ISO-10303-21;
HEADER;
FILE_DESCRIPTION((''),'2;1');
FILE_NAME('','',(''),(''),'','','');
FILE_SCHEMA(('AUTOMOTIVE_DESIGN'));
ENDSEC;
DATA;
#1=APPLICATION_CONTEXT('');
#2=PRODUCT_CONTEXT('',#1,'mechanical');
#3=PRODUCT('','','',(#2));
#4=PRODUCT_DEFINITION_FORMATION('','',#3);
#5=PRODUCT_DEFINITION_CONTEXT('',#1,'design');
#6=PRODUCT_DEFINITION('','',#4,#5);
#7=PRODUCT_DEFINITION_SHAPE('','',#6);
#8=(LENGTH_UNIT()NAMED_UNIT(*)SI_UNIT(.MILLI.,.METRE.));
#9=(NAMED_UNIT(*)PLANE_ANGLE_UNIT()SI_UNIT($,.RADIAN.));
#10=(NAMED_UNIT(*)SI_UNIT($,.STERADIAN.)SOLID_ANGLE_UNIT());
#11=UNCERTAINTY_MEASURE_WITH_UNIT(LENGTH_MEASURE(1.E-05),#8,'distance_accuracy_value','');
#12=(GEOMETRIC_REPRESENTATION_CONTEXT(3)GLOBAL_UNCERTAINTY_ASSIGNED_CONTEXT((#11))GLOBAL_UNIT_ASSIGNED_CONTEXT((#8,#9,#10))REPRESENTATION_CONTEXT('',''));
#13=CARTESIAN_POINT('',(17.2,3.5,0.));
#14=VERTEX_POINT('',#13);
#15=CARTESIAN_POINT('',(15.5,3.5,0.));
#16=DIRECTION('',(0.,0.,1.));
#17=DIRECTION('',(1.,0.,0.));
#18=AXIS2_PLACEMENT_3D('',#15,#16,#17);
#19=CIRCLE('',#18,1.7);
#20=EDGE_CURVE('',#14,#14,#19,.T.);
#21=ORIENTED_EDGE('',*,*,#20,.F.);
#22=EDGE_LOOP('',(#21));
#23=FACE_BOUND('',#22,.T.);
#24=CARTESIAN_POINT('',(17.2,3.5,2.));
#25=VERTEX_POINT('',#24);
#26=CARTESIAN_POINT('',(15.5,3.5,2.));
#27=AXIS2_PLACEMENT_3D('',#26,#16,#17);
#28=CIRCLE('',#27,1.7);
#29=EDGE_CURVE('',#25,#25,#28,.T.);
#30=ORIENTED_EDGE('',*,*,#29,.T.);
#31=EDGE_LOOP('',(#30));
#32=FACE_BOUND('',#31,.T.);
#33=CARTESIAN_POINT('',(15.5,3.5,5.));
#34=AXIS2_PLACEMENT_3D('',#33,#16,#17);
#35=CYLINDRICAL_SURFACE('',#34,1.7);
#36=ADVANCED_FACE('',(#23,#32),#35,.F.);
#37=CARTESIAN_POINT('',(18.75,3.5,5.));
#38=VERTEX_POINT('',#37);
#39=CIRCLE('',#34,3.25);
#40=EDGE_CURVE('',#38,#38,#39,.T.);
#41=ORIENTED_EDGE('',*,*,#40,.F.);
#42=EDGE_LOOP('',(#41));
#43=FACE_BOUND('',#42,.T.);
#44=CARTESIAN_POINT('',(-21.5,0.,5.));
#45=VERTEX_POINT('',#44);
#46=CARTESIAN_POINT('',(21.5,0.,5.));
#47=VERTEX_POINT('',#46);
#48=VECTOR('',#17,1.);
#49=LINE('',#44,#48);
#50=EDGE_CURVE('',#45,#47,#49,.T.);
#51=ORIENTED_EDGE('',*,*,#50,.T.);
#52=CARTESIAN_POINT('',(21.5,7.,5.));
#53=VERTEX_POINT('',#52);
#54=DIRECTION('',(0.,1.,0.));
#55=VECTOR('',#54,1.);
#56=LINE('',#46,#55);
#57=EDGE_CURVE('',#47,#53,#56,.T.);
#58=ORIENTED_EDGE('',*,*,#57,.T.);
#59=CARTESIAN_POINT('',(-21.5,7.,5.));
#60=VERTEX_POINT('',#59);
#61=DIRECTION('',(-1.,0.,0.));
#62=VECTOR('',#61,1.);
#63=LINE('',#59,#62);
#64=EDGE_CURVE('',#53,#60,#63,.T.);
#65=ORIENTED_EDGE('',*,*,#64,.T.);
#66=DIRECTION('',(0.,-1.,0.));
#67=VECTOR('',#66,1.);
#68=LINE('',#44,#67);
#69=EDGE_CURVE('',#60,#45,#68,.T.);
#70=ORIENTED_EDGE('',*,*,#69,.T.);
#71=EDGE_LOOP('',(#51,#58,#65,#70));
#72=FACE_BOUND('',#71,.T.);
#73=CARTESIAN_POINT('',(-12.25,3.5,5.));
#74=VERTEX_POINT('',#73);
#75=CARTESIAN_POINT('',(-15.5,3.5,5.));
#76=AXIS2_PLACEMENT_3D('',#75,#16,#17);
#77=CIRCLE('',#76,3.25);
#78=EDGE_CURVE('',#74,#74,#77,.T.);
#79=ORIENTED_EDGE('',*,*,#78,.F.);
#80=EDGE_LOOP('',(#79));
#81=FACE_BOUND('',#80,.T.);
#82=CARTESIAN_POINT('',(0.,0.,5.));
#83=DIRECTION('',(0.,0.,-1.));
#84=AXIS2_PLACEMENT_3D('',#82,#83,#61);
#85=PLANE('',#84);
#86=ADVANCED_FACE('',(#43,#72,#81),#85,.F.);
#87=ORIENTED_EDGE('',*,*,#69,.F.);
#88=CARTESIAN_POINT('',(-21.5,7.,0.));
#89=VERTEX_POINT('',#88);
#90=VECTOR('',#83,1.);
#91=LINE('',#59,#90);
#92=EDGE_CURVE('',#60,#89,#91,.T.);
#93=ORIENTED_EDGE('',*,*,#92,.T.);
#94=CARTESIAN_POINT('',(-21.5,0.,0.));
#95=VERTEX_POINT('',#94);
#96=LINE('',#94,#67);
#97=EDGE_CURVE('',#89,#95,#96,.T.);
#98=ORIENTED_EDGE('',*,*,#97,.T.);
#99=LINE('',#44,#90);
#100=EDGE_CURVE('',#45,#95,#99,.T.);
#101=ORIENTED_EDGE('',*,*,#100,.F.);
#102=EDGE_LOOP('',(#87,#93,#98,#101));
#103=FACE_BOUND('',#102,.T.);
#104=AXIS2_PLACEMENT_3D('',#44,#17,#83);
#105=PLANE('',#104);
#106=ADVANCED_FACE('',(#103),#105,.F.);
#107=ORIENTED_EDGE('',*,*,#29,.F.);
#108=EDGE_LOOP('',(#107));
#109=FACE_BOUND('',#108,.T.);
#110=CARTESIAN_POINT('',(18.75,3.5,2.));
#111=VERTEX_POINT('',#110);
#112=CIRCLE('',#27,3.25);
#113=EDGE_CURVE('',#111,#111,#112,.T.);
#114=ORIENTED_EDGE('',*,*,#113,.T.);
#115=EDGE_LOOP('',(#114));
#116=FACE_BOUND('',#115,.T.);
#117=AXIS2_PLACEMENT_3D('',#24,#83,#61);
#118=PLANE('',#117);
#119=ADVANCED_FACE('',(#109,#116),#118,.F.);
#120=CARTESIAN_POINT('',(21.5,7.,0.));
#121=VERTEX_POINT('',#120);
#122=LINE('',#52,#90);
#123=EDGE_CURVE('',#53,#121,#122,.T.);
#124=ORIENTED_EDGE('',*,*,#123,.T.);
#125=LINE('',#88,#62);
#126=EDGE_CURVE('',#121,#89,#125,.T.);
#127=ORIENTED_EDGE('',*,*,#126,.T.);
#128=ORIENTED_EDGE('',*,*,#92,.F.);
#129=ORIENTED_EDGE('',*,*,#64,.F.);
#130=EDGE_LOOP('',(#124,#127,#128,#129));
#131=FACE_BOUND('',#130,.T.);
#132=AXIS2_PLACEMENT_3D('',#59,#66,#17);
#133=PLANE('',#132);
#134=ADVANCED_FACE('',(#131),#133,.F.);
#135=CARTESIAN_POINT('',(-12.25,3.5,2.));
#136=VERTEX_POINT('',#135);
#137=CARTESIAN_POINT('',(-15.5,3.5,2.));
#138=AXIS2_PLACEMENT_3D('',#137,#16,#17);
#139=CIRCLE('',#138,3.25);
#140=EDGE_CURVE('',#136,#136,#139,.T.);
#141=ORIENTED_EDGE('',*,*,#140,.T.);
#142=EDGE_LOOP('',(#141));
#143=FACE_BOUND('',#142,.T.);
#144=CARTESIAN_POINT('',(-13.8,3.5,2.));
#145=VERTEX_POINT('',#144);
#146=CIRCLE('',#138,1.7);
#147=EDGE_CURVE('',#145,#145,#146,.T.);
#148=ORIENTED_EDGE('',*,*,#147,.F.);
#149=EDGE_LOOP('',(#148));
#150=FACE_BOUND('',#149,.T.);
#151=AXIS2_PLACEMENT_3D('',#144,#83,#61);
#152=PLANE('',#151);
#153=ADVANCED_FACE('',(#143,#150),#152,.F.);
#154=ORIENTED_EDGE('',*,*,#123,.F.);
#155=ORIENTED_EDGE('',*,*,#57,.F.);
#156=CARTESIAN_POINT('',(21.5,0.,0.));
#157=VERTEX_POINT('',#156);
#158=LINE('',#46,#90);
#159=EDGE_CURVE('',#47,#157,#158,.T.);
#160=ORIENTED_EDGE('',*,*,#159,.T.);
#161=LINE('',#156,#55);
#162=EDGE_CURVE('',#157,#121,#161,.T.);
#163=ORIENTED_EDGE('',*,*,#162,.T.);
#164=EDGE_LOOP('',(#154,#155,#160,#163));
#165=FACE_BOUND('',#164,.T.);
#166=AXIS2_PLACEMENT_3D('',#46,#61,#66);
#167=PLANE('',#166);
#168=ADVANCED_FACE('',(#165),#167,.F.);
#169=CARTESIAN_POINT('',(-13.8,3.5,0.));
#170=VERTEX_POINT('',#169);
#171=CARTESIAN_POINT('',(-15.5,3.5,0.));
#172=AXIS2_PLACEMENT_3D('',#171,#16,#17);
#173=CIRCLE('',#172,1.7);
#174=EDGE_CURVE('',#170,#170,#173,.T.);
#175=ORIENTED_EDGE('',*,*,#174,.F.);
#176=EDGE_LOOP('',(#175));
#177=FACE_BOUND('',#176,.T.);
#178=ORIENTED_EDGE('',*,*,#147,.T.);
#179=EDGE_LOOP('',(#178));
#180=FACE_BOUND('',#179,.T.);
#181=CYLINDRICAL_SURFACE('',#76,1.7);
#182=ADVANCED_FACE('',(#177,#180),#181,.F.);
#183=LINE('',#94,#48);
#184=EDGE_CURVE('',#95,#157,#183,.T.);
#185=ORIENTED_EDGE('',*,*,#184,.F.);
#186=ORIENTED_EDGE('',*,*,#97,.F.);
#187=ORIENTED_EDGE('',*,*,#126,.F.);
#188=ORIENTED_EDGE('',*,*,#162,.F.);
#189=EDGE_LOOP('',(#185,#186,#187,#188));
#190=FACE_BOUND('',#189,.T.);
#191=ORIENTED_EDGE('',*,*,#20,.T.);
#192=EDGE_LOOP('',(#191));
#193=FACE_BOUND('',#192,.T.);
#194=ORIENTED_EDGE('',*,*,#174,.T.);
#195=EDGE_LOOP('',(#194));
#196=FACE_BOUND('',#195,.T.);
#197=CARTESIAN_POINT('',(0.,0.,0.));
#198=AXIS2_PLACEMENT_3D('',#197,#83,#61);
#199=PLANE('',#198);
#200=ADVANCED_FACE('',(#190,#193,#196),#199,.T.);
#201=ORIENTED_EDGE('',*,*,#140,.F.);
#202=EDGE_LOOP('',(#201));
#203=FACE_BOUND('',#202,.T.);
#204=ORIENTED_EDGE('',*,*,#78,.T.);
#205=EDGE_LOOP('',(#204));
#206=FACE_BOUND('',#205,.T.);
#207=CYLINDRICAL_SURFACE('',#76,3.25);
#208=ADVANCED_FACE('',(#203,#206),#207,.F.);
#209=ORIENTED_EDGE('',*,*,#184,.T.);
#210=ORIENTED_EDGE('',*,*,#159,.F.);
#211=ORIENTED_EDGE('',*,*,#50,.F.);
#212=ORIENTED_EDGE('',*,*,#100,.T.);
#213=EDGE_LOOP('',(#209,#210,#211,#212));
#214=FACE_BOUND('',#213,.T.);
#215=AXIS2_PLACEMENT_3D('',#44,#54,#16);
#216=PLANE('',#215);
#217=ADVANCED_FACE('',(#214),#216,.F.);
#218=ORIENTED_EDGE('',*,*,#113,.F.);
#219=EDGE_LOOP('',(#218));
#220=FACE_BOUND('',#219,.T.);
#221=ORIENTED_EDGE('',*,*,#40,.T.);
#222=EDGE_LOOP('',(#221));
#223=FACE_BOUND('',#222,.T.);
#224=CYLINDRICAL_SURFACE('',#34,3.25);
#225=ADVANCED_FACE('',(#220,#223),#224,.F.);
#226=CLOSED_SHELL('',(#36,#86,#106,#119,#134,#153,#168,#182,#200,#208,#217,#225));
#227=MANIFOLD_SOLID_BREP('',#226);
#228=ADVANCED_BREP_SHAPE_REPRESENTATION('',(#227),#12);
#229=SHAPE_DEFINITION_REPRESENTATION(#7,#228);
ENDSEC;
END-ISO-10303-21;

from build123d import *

# Parameters (mm, degrees)
SKETCH1_W                      = 43
SKETCH1_H                      = 7
BOSS_EXTRUDE1_DEPTH            = 5
CBORE_FOR_M3_SHCS1_D           = 3.4
CBORE_FOR_M3_SHCS1_CBORE_D     = 6.5
CBORE_FOR_M3_SHCS1_CBORE_DEPTH = 3


with BuildPart() as part:
    # Sketch1 → Boss-Extrude1 (new body)
    with BuildSketch(Plane.XY):
        with Locations((0, 3.5)):
            Rectangle(SKETCH1_W, SKETCH1_H)
    extrude(amount=BOSS_EXTRUDE1_DEPTH)

    # CBORE for M3 SHCS1 (through all)
    with Locations(Plane.XY.offset(5)):
        with Locations((-15.5, 3.5), (15.5, 3.5)):
            CounterBoreHole(CBORE_FOR_M3_SHCS1_D / 2, CBORE_FOR_M3_SHCS1_CBORE_D / 2, CBORE_FOR_M3_SHCS1_CBORE_DEPTH)


solid = part.part
